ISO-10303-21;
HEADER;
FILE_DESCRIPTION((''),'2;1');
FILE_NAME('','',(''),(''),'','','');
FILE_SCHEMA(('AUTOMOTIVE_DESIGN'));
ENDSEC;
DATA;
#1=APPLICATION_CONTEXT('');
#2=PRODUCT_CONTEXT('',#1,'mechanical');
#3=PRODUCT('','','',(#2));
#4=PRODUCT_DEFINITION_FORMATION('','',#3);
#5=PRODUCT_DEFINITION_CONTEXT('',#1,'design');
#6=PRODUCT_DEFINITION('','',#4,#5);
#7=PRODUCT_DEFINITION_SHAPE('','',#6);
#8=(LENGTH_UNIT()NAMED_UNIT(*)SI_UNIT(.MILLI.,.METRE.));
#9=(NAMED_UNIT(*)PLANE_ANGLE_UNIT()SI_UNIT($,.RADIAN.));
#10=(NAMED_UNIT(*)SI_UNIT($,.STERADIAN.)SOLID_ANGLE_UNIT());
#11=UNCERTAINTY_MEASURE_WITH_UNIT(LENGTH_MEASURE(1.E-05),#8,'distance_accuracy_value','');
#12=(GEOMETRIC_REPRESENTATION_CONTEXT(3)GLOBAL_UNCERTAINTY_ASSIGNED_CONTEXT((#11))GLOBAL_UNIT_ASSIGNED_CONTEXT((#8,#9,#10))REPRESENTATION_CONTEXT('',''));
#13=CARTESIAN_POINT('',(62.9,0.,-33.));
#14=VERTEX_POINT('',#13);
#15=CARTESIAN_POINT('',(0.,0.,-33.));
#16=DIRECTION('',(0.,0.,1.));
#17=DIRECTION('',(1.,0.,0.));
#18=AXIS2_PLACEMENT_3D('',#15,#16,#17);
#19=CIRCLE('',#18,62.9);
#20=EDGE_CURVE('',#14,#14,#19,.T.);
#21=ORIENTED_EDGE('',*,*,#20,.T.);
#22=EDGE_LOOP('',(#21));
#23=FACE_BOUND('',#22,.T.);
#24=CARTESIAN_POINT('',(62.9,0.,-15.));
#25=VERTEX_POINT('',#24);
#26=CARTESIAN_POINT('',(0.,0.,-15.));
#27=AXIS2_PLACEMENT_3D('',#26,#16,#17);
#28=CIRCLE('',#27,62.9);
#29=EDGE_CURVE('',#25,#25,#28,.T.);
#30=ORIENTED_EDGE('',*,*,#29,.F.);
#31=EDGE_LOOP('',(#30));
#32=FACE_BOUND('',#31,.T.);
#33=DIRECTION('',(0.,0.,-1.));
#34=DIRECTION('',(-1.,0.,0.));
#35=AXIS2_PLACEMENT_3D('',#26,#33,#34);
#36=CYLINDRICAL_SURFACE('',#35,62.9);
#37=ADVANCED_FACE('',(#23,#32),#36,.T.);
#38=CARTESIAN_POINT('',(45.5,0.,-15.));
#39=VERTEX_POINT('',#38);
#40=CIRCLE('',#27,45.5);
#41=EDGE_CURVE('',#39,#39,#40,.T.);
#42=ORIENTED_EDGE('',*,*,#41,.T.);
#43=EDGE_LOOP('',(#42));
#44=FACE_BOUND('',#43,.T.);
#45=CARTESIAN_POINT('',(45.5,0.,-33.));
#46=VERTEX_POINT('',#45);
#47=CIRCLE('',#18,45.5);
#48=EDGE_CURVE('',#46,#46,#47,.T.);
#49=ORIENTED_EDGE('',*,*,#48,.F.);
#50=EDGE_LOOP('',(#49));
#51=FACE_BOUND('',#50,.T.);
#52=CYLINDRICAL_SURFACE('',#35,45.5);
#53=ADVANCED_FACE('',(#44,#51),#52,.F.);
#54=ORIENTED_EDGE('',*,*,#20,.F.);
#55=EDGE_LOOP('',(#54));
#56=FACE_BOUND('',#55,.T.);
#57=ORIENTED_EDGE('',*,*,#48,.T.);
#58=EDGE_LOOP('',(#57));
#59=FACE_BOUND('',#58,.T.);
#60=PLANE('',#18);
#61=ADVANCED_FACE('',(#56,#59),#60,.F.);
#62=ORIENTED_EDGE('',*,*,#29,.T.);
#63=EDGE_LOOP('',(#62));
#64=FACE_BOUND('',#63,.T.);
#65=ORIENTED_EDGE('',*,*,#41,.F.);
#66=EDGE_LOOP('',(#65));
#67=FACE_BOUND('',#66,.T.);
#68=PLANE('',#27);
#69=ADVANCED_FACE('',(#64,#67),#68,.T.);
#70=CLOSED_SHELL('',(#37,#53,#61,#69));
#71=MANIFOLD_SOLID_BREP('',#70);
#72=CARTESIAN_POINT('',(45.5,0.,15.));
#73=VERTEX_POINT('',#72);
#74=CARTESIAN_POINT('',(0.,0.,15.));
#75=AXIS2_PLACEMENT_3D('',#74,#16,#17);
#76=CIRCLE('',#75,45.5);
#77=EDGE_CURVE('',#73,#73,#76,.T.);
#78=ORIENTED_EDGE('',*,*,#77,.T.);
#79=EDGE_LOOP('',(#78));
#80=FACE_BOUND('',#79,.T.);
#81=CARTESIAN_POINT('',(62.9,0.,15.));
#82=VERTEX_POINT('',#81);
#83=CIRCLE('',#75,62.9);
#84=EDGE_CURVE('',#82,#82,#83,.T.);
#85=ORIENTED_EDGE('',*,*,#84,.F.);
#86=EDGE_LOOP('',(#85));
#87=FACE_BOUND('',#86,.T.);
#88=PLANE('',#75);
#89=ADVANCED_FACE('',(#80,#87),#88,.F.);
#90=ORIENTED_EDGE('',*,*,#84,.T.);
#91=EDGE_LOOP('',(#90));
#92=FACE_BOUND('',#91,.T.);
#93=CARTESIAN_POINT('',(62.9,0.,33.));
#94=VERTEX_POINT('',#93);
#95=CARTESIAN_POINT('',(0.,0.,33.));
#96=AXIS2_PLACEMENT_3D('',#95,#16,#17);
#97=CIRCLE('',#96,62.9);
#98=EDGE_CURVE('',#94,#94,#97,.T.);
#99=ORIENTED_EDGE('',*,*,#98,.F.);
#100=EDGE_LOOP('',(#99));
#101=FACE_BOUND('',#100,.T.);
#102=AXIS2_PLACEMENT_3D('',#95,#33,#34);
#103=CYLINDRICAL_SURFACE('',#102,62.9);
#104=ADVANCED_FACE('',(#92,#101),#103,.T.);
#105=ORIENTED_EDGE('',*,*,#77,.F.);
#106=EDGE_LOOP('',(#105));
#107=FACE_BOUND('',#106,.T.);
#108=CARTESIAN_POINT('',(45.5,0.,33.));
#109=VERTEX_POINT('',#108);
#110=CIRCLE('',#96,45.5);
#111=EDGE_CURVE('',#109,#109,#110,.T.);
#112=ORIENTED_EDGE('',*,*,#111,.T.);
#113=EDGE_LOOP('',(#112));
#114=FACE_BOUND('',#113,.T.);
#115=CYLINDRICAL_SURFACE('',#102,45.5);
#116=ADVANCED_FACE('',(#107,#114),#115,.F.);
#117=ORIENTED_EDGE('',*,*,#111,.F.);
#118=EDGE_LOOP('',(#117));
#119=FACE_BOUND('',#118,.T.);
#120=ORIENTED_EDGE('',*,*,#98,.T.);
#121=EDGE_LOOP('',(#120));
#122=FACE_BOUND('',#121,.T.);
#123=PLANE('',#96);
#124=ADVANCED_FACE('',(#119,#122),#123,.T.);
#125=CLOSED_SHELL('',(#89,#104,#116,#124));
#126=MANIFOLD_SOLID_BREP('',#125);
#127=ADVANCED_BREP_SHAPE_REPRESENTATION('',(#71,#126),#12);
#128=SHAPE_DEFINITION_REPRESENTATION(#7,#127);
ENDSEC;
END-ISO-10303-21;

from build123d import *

# Parameters (mm, degrees)
ENDTURN_R_START = 15
SKETCH_1_R      = 62.9
SKETCH_1_R_2    = 45.5
ENDTURN_R_DEPTH = 18
ENDTURN_L_START = -33
SKETCH_2_R      = 62.9
SKETCH_2_R_2    = 45.5
ENDTURN_L_DEPTH = 18


with BuildPart() as part:
    # Эскиз1 → Endturn_R (new body)
    with BuildSketch(Plane.XY.offset(ENDTURN_R_START)):
        Circle(SKETCH_1_R)
        Circle(SKETCH_1_R_2, mode=Mode.SUBTRACT)
    extrude(amount=ENDTURN_R_DEPTH)


with BuildPart() as body_2:
    # Эскиз2 → Endturn_L (new body)
    with BuildSketch(Plane.XY.offset(ENDTURN_L_START)):
        Circle(SKETCH_2_R)
        Circle(SKETCH_2_R_2, mode=Mode.SUBTRACT)
    extrude(amount=ENDTURN_L_DEPTH)


solid = Compound([part.part, body_2.part])
